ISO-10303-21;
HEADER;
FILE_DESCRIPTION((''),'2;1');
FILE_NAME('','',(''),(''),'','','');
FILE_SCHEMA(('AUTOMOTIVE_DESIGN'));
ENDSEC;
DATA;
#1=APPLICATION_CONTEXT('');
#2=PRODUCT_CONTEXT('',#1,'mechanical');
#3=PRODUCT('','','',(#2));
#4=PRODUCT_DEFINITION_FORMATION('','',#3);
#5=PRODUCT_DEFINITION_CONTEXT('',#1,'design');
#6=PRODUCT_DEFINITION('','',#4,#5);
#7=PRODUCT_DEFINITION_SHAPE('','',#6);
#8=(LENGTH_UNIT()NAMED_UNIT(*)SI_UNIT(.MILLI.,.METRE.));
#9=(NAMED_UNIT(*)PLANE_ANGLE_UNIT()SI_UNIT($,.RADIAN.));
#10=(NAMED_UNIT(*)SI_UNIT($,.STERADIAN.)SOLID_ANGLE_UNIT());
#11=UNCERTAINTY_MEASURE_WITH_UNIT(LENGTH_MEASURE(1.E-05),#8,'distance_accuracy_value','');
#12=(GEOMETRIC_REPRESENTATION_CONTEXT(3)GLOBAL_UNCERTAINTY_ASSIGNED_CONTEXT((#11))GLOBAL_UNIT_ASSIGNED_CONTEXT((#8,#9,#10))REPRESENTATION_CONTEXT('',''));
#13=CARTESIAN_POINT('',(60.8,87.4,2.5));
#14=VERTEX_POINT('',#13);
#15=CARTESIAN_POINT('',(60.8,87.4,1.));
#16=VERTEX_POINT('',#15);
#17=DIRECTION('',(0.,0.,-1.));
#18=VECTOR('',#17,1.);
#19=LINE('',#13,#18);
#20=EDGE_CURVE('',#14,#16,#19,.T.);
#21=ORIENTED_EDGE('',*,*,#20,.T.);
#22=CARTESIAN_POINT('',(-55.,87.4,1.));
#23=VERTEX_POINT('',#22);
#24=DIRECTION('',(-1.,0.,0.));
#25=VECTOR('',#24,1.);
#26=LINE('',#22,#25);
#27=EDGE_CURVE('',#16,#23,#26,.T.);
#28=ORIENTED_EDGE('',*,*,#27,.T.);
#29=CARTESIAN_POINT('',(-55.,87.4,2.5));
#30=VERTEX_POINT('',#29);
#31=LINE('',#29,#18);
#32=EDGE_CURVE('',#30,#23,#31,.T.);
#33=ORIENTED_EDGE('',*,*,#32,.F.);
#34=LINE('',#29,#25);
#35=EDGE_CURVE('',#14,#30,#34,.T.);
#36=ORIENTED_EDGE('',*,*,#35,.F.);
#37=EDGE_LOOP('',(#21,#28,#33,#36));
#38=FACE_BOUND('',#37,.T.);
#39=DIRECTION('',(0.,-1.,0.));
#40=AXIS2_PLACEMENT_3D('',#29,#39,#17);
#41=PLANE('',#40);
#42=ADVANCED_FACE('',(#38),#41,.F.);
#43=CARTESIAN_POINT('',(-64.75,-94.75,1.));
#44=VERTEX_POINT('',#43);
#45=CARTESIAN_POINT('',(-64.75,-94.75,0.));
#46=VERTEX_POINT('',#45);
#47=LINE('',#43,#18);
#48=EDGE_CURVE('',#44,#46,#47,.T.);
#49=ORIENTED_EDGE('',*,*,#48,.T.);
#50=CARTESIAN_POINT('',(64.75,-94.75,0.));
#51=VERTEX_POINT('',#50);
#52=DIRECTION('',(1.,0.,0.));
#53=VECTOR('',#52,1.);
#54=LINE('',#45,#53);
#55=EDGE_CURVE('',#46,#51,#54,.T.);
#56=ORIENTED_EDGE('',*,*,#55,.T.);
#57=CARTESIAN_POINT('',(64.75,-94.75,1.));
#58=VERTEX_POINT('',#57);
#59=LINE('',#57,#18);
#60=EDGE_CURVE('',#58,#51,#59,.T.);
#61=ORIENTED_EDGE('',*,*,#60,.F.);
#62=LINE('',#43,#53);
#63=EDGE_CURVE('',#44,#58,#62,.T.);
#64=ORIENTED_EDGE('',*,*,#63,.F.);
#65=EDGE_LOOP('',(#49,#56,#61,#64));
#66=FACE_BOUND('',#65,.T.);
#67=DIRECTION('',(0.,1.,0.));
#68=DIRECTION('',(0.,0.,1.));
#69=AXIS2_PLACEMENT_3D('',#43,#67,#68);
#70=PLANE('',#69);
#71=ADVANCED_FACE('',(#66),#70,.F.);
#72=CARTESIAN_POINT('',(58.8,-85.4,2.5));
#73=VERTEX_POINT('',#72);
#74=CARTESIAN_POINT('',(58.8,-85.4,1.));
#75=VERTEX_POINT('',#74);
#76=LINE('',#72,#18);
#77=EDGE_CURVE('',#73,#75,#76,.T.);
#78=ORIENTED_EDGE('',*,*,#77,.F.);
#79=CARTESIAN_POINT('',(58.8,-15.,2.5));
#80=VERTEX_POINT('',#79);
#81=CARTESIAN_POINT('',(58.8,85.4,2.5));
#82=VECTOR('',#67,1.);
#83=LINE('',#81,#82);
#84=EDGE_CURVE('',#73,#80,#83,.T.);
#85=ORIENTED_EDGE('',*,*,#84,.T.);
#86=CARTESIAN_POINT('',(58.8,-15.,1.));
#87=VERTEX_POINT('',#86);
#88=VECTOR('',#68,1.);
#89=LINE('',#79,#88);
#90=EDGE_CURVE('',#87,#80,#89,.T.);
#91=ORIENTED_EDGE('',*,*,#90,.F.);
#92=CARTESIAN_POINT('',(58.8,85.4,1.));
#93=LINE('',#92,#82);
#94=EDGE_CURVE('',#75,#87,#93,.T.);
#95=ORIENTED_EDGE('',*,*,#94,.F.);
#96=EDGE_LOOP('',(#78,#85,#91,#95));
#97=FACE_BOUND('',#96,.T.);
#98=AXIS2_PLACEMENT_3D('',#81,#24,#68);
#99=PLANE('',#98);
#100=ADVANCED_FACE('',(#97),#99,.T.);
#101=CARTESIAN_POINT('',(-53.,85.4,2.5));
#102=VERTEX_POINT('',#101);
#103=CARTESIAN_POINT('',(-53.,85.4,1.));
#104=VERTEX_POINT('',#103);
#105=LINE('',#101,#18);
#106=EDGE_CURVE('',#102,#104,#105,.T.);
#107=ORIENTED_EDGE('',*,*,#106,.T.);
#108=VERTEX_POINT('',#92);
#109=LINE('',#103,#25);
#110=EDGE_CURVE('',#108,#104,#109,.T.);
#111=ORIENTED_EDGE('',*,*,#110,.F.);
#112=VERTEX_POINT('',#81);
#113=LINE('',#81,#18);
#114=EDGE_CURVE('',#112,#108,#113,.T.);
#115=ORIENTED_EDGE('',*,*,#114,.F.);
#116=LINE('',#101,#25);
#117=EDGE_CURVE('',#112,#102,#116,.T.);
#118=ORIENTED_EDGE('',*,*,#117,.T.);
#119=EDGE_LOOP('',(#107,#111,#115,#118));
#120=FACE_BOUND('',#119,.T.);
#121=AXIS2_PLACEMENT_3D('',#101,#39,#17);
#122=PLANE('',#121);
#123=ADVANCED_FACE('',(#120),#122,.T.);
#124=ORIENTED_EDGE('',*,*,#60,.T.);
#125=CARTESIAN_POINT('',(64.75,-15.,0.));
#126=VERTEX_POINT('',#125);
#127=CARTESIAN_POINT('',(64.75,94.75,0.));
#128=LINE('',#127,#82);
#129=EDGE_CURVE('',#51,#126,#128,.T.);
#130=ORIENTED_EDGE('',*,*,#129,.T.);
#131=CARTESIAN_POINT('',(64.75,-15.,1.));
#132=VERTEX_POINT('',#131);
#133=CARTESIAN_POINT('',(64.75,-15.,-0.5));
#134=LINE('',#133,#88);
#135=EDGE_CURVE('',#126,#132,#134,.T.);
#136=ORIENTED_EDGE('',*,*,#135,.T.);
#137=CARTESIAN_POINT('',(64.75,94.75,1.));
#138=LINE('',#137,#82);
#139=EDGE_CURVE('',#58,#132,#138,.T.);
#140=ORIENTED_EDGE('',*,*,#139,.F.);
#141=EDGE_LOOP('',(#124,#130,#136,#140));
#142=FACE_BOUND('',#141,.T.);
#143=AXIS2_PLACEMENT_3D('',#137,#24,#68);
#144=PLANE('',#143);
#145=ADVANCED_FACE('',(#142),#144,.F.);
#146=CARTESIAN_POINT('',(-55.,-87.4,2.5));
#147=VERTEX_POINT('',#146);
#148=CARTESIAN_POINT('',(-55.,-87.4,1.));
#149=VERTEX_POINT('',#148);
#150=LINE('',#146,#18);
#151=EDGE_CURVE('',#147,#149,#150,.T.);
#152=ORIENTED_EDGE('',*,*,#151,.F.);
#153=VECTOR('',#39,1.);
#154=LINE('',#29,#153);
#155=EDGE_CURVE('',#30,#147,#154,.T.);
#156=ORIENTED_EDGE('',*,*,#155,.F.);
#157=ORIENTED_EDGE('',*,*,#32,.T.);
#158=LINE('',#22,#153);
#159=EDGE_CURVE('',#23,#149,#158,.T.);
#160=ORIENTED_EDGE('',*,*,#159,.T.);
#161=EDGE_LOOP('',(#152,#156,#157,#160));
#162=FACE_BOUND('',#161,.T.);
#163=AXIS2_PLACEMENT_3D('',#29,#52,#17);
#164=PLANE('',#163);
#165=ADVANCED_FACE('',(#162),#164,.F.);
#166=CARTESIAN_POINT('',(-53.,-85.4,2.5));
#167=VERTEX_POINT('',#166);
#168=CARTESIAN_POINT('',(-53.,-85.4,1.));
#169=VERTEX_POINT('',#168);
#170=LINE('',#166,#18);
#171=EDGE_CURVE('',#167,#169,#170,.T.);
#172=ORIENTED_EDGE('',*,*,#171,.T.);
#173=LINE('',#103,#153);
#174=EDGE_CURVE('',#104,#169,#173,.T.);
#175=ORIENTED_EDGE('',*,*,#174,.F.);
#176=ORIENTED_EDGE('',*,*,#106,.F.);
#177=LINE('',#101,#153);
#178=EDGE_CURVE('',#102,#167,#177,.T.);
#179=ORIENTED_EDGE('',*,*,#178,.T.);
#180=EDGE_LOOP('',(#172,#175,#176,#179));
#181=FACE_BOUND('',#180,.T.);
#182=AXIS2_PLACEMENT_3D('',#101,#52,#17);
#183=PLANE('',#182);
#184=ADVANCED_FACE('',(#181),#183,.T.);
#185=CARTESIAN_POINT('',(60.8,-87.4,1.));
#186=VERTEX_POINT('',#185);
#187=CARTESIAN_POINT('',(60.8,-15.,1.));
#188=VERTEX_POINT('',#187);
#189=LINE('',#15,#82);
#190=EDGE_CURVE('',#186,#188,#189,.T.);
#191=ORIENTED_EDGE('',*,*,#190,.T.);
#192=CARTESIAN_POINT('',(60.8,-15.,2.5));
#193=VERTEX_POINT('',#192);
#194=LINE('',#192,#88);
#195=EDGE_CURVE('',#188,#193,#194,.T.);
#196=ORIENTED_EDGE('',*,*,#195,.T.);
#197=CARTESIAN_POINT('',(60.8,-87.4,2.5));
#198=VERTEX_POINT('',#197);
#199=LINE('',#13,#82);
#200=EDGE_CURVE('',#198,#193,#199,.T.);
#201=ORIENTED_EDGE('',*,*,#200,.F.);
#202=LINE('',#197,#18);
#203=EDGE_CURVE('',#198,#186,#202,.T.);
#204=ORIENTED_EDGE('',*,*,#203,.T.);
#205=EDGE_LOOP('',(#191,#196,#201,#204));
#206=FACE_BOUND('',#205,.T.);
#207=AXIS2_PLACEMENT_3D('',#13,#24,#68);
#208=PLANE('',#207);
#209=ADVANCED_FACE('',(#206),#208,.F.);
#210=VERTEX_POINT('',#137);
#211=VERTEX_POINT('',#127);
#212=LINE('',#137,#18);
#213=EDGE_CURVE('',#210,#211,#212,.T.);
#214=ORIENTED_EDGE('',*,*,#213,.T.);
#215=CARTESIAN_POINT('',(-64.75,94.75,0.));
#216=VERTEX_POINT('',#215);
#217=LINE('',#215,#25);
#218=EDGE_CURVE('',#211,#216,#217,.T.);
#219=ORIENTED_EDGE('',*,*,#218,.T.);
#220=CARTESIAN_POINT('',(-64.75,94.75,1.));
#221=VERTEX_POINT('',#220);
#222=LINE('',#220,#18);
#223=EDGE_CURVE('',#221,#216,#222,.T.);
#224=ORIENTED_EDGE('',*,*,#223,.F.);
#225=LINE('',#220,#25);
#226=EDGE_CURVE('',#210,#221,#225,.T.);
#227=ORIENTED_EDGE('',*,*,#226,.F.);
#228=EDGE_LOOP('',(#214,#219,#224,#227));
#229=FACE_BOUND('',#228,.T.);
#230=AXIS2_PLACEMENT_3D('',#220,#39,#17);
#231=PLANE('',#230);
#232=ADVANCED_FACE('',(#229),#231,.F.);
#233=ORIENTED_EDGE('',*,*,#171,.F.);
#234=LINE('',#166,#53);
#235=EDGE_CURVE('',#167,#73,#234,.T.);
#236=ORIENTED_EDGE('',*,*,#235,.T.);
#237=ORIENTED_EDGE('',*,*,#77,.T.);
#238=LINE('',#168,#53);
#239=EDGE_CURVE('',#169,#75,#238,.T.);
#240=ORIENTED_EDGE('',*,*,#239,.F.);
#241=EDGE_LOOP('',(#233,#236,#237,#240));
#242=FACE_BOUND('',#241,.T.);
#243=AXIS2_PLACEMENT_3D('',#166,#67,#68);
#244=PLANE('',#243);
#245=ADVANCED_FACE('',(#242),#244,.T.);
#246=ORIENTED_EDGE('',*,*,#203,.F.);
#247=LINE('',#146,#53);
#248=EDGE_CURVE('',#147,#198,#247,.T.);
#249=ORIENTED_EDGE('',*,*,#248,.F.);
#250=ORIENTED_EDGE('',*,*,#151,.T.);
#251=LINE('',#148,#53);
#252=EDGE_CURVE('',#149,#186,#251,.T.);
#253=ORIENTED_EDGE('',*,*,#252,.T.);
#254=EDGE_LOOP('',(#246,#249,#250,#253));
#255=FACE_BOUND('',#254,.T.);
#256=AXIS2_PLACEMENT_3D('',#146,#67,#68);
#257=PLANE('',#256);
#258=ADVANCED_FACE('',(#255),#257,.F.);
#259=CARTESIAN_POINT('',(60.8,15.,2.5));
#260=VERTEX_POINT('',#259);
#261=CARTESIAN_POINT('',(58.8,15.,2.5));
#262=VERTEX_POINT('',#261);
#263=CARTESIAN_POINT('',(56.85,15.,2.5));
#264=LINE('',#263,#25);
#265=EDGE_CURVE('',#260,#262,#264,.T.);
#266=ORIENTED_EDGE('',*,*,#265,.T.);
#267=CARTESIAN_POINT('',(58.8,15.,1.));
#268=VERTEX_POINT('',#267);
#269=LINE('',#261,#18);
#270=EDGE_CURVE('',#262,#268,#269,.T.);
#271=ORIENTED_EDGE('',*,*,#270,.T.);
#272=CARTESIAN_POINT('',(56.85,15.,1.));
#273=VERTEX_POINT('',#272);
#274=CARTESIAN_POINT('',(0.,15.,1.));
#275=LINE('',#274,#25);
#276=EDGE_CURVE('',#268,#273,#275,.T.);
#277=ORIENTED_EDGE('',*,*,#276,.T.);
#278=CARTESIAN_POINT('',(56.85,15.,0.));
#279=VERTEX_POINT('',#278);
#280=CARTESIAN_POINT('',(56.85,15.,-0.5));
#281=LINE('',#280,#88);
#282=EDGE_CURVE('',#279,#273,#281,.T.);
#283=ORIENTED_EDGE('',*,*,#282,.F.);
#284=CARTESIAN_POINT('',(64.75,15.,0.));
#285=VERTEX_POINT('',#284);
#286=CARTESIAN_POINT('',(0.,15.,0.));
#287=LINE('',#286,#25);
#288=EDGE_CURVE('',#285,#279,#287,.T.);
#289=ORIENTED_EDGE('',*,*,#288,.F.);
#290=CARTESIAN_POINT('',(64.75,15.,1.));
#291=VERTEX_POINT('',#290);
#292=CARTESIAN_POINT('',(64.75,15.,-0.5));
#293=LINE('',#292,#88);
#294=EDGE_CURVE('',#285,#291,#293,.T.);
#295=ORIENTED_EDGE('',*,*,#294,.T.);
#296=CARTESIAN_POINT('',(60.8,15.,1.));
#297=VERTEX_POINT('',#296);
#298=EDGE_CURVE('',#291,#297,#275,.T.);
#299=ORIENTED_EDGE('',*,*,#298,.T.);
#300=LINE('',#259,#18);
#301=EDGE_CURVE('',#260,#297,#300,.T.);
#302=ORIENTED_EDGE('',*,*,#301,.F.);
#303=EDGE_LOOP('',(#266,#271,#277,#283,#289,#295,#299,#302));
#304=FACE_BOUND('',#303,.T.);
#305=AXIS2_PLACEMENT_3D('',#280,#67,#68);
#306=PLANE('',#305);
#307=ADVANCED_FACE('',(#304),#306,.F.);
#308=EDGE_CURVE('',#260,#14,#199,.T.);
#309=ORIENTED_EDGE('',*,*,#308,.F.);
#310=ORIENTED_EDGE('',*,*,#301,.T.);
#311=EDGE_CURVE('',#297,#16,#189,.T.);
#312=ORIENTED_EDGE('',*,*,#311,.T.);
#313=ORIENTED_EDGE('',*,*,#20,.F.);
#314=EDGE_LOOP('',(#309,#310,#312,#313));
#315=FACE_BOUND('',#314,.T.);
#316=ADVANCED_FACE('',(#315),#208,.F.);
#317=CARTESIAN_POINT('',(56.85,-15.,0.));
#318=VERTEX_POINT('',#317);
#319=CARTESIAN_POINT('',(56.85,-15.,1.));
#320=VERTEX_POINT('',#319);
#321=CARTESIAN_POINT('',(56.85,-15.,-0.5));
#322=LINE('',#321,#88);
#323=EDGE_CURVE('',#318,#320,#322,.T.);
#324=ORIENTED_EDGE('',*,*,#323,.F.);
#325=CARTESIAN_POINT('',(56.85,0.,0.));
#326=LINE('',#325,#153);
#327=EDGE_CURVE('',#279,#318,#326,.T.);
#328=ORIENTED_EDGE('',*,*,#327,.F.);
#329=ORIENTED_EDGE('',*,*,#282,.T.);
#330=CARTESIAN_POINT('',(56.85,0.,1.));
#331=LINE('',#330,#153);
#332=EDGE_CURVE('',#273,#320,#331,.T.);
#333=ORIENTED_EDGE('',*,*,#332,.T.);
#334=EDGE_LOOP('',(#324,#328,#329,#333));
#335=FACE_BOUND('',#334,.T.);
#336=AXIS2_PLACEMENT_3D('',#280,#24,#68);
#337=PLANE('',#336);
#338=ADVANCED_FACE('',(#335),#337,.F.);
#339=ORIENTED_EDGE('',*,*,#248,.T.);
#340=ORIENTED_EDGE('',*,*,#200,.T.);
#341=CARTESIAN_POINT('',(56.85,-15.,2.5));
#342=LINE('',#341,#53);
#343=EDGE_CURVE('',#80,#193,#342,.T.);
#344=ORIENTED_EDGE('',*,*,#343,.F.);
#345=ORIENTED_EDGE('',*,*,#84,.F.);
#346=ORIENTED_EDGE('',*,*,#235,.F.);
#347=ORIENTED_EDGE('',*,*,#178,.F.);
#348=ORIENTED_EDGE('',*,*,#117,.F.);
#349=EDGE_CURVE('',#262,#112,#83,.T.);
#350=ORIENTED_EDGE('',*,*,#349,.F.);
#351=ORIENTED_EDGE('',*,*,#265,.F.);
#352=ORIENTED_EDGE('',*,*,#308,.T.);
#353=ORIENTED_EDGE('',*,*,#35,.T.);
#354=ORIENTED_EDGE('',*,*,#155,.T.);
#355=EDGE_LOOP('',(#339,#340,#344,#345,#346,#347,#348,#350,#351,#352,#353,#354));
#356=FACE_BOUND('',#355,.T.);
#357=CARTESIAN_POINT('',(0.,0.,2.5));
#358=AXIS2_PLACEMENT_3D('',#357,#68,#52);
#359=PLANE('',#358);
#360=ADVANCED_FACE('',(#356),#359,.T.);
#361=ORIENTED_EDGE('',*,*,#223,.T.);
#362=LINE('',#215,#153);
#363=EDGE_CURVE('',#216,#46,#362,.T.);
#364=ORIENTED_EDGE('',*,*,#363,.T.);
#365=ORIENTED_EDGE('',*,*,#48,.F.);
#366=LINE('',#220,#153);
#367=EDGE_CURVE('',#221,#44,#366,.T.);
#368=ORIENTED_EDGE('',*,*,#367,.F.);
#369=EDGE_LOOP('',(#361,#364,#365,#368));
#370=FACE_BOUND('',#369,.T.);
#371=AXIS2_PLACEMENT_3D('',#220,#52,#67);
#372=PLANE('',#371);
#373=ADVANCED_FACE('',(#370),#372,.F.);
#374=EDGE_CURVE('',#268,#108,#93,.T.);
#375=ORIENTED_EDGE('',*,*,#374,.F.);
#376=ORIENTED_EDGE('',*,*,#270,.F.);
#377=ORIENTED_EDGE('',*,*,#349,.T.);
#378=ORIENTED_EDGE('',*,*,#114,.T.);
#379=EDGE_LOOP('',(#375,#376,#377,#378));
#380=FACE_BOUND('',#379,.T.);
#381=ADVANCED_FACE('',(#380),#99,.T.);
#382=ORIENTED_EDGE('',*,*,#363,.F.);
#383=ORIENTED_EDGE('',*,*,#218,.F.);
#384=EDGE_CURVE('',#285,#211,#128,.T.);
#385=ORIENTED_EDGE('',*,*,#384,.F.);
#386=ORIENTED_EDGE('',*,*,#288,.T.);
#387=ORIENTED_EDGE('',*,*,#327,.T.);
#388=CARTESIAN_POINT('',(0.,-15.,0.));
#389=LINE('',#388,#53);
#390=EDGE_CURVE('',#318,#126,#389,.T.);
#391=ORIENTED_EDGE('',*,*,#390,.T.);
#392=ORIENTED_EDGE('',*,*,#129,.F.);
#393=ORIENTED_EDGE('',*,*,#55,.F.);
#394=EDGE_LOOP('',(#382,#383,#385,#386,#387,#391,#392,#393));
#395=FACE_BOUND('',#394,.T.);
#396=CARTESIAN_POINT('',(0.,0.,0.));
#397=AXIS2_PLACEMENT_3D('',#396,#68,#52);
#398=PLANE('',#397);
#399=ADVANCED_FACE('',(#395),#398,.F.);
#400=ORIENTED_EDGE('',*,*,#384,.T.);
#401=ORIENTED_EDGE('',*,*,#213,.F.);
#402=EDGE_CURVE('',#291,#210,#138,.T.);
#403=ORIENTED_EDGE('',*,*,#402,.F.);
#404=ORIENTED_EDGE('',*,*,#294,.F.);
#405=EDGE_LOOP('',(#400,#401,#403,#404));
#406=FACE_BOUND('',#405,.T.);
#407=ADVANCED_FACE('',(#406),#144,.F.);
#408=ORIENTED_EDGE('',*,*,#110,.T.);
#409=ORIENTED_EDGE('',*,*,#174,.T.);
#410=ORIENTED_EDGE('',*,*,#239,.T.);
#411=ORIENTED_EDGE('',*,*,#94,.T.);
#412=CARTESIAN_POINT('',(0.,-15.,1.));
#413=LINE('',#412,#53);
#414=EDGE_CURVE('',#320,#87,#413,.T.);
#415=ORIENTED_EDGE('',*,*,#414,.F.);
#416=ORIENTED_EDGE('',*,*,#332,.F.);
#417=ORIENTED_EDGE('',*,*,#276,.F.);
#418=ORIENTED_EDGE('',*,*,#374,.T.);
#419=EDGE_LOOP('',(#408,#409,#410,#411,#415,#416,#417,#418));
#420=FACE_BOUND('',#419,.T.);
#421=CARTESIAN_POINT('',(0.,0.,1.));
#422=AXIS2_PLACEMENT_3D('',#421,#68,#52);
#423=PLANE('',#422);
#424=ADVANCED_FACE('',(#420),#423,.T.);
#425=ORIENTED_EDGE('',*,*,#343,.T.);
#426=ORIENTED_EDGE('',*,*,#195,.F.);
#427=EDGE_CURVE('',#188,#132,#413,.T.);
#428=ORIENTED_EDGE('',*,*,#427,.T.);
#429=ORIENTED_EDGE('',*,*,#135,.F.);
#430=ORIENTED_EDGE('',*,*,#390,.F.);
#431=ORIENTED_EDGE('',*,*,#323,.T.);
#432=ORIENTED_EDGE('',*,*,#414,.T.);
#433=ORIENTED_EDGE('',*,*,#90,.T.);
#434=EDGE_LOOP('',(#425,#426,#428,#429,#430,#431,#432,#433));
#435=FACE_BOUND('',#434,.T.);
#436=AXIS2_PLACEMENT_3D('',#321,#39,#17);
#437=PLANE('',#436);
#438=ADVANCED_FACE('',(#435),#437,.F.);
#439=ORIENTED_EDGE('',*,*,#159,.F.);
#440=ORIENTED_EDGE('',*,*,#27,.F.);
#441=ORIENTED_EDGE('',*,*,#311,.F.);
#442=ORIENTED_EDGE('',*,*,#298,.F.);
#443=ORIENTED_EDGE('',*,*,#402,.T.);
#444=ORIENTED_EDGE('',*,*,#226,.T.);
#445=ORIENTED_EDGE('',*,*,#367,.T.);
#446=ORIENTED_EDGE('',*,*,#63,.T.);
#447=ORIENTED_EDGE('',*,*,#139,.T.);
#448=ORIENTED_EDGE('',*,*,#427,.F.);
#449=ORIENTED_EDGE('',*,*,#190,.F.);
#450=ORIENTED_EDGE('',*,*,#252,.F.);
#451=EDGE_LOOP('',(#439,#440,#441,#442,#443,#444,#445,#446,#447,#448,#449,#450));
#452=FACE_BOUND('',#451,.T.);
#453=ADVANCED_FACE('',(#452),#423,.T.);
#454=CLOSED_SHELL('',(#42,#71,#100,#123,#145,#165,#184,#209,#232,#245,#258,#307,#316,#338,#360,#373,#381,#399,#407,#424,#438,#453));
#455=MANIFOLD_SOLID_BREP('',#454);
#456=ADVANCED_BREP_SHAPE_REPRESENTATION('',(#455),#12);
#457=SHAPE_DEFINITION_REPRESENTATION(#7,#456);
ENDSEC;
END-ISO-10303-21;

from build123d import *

# Parameters (mm, degrees)
SKETCH_1_W          = 129.5
SKETCH_1_H          = 189.5
EXTRUDE_1_DEPTH     = 1
SKETCH_2_W          = 115.8
SKETCH_2_H          = 174.8
SKETCH_2_W_2        = 111.8
SKETCH_2_H_2        = 170.8
EXTRUDE_2_DEPTH     = 1.5
SKETCH_3_W          = 7.9
SKETCH_3_H          = 30
CUT_EXTRUDE_1_DEPTH = 3


with BuildPart() as part:
    # 草图1 → 凸台-拉伸1 (new body)
    with BuildSketch(Plane.XY):
        Rectangle(SKETCH_1_W, SKETCH_1_H)
    extrude(amount=EXTRUDE_1_DEPTH)

    # 草图2 → 凸台-拉伸2 (add)
    with BuildSketch(Plane.XY.offset(1)):
        with Locations((2.9, 0)):
            Rectangle(SKETCH_2_W, SKETCH_2_H)
        with Locations((2.9, 0)):
            Rectangle(SKETCH_2_W_2, SKETCH_2_H_2, mode=Mode.SUBTRACT)
    extrude(amount=EXTRUDE_2_DEPTH)

    # 草图3 → 切除-拉伸1 (cut)
    with BuildSketch(Plane.XY.offset(2.5)):
        with Locations((60.8, 0)):
            Rectangle(SKETCH_3_W, SKETCH_3_H)
    extrude(amount=-CUT_EXTRUDE_1_DEPTH, mode=Mode.SUBTRACT)


solid = part.part
